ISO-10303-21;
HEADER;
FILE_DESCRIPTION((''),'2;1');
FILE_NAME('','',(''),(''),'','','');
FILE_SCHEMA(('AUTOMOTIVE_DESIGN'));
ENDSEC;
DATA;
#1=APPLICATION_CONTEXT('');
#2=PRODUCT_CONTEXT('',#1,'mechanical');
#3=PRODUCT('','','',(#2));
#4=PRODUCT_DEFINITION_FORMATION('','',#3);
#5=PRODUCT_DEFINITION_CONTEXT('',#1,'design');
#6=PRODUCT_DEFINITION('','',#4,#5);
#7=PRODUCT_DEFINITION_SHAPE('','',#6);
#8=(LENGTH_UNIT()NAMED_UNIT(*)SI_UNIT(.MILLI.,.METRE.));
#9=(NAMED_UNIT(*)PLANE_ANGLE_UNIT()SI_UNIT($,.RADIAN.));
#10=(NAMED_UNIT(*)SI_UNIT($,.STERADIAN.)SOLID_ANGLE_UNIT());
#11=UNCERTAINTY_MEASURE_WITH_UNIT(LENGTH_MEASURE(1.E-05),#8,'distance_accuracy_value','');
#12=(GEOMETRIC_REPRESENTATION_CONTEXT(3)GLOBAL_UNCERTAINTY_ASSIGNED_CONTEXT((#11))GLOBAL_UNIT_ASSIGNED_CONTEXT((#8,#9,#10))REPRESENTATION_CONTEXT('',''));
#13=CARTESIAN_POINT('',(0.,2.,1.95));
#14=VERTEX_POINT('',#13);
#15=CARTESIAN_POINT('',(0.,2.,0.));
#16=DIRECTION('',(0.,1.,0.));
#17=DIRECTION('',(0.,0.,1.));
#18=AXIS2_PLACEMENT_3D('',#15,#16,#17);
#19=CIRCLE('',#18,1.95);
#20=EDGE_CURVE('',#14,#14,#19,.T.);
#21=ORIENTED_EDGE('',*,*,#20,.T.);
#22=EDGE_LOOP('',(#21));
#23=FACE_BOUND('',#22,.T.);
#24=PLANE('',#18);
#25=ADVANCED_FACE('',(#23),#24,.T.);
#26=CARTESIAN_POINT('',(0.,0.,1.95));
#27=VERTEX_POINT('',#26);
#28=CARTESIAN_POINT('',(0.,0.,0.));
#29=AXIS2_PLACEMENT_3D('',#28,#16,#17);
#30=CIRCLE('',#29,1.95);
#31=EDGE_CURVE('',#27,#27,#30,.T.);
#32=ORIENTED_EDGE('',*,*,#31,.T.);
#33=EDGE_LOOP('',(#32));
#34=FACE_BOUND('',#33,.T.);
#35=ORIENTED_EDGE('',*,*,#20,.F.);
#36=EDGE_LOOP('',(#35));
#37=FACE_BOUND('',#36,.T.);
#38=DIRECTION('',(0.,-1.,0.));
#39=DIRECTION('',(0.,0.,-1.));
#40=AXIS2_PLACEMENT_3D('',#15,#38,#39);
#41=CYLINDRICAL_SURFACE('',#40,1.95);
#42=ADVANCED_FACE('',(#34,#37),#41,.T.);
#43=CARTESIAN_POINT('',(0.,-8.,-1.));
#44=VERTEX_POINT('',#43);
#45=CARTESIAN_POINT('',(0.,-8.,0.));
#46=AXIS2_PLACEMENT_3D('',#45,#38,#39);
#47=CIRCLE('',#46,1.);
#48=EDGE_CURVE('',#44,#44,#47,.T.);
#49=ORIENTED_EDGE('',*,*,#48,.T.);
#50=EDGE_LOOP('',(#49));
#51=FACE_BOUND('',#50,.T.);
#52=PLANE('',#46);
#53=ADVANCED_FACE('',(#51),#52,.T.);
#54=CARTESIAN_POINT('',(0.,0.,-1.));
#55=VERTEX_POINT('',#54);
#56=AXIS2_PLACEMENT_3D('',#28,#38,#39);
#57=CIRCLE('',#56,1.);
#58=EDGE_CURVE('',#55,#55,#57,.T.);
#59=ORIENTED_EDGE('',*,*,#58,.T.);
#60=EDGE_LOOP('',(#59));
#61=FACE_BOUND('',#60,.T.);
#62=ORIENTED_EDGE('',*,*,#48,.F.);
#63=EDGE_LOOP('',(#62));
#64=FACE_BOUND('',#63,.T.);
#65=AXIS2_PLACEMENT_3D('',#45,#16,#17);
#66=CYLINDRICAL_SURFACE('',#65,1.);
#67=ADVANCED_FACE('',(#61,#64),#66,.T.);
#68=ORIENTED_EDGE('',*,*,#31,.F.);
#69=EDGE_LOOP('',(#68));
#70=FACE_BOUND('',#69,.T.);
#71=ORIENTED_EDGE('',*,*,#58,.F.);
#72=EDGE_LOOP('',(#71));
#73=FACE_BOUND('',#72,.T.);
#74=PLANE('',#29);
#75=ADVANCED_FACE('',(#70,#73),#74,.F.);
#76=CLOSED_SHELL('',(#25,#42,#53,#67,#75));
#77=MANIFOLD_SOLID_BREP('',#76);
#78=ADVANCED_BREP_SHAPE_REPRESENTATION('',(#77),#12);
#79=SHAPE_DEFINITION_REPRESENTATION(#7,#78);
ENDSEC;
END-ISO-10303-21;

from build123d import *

# Parameters (mm, degrees)
SKETCH1_R           = 1.95
BOSS_EXTRUDE1_DEPTH = 2
SKETCH2_R           = 1
BOSS_EXTRUDE2_DEPTH = 8


with BuildPart() as part:
    # Sketch1 → Boss-Extrude1 (new body)
    with BuildSketch(Plane(origin=(0, 0, 0), x_dir=(1, 0, 0), z_dir=(0, 1, 0))):
        Circle(SKETCH1_R)
    extrude(amount=BOSS_EXTRUDE1_DEPTH)

    # Sketch2 → Boss-Extrude2 (add)
    with BuildSketch(Plane.XZ):
        Circle(SKETCH2_R)
    extrude(amount=BOSS_EXTRUDE2_DEPTH)


solid = part.part
